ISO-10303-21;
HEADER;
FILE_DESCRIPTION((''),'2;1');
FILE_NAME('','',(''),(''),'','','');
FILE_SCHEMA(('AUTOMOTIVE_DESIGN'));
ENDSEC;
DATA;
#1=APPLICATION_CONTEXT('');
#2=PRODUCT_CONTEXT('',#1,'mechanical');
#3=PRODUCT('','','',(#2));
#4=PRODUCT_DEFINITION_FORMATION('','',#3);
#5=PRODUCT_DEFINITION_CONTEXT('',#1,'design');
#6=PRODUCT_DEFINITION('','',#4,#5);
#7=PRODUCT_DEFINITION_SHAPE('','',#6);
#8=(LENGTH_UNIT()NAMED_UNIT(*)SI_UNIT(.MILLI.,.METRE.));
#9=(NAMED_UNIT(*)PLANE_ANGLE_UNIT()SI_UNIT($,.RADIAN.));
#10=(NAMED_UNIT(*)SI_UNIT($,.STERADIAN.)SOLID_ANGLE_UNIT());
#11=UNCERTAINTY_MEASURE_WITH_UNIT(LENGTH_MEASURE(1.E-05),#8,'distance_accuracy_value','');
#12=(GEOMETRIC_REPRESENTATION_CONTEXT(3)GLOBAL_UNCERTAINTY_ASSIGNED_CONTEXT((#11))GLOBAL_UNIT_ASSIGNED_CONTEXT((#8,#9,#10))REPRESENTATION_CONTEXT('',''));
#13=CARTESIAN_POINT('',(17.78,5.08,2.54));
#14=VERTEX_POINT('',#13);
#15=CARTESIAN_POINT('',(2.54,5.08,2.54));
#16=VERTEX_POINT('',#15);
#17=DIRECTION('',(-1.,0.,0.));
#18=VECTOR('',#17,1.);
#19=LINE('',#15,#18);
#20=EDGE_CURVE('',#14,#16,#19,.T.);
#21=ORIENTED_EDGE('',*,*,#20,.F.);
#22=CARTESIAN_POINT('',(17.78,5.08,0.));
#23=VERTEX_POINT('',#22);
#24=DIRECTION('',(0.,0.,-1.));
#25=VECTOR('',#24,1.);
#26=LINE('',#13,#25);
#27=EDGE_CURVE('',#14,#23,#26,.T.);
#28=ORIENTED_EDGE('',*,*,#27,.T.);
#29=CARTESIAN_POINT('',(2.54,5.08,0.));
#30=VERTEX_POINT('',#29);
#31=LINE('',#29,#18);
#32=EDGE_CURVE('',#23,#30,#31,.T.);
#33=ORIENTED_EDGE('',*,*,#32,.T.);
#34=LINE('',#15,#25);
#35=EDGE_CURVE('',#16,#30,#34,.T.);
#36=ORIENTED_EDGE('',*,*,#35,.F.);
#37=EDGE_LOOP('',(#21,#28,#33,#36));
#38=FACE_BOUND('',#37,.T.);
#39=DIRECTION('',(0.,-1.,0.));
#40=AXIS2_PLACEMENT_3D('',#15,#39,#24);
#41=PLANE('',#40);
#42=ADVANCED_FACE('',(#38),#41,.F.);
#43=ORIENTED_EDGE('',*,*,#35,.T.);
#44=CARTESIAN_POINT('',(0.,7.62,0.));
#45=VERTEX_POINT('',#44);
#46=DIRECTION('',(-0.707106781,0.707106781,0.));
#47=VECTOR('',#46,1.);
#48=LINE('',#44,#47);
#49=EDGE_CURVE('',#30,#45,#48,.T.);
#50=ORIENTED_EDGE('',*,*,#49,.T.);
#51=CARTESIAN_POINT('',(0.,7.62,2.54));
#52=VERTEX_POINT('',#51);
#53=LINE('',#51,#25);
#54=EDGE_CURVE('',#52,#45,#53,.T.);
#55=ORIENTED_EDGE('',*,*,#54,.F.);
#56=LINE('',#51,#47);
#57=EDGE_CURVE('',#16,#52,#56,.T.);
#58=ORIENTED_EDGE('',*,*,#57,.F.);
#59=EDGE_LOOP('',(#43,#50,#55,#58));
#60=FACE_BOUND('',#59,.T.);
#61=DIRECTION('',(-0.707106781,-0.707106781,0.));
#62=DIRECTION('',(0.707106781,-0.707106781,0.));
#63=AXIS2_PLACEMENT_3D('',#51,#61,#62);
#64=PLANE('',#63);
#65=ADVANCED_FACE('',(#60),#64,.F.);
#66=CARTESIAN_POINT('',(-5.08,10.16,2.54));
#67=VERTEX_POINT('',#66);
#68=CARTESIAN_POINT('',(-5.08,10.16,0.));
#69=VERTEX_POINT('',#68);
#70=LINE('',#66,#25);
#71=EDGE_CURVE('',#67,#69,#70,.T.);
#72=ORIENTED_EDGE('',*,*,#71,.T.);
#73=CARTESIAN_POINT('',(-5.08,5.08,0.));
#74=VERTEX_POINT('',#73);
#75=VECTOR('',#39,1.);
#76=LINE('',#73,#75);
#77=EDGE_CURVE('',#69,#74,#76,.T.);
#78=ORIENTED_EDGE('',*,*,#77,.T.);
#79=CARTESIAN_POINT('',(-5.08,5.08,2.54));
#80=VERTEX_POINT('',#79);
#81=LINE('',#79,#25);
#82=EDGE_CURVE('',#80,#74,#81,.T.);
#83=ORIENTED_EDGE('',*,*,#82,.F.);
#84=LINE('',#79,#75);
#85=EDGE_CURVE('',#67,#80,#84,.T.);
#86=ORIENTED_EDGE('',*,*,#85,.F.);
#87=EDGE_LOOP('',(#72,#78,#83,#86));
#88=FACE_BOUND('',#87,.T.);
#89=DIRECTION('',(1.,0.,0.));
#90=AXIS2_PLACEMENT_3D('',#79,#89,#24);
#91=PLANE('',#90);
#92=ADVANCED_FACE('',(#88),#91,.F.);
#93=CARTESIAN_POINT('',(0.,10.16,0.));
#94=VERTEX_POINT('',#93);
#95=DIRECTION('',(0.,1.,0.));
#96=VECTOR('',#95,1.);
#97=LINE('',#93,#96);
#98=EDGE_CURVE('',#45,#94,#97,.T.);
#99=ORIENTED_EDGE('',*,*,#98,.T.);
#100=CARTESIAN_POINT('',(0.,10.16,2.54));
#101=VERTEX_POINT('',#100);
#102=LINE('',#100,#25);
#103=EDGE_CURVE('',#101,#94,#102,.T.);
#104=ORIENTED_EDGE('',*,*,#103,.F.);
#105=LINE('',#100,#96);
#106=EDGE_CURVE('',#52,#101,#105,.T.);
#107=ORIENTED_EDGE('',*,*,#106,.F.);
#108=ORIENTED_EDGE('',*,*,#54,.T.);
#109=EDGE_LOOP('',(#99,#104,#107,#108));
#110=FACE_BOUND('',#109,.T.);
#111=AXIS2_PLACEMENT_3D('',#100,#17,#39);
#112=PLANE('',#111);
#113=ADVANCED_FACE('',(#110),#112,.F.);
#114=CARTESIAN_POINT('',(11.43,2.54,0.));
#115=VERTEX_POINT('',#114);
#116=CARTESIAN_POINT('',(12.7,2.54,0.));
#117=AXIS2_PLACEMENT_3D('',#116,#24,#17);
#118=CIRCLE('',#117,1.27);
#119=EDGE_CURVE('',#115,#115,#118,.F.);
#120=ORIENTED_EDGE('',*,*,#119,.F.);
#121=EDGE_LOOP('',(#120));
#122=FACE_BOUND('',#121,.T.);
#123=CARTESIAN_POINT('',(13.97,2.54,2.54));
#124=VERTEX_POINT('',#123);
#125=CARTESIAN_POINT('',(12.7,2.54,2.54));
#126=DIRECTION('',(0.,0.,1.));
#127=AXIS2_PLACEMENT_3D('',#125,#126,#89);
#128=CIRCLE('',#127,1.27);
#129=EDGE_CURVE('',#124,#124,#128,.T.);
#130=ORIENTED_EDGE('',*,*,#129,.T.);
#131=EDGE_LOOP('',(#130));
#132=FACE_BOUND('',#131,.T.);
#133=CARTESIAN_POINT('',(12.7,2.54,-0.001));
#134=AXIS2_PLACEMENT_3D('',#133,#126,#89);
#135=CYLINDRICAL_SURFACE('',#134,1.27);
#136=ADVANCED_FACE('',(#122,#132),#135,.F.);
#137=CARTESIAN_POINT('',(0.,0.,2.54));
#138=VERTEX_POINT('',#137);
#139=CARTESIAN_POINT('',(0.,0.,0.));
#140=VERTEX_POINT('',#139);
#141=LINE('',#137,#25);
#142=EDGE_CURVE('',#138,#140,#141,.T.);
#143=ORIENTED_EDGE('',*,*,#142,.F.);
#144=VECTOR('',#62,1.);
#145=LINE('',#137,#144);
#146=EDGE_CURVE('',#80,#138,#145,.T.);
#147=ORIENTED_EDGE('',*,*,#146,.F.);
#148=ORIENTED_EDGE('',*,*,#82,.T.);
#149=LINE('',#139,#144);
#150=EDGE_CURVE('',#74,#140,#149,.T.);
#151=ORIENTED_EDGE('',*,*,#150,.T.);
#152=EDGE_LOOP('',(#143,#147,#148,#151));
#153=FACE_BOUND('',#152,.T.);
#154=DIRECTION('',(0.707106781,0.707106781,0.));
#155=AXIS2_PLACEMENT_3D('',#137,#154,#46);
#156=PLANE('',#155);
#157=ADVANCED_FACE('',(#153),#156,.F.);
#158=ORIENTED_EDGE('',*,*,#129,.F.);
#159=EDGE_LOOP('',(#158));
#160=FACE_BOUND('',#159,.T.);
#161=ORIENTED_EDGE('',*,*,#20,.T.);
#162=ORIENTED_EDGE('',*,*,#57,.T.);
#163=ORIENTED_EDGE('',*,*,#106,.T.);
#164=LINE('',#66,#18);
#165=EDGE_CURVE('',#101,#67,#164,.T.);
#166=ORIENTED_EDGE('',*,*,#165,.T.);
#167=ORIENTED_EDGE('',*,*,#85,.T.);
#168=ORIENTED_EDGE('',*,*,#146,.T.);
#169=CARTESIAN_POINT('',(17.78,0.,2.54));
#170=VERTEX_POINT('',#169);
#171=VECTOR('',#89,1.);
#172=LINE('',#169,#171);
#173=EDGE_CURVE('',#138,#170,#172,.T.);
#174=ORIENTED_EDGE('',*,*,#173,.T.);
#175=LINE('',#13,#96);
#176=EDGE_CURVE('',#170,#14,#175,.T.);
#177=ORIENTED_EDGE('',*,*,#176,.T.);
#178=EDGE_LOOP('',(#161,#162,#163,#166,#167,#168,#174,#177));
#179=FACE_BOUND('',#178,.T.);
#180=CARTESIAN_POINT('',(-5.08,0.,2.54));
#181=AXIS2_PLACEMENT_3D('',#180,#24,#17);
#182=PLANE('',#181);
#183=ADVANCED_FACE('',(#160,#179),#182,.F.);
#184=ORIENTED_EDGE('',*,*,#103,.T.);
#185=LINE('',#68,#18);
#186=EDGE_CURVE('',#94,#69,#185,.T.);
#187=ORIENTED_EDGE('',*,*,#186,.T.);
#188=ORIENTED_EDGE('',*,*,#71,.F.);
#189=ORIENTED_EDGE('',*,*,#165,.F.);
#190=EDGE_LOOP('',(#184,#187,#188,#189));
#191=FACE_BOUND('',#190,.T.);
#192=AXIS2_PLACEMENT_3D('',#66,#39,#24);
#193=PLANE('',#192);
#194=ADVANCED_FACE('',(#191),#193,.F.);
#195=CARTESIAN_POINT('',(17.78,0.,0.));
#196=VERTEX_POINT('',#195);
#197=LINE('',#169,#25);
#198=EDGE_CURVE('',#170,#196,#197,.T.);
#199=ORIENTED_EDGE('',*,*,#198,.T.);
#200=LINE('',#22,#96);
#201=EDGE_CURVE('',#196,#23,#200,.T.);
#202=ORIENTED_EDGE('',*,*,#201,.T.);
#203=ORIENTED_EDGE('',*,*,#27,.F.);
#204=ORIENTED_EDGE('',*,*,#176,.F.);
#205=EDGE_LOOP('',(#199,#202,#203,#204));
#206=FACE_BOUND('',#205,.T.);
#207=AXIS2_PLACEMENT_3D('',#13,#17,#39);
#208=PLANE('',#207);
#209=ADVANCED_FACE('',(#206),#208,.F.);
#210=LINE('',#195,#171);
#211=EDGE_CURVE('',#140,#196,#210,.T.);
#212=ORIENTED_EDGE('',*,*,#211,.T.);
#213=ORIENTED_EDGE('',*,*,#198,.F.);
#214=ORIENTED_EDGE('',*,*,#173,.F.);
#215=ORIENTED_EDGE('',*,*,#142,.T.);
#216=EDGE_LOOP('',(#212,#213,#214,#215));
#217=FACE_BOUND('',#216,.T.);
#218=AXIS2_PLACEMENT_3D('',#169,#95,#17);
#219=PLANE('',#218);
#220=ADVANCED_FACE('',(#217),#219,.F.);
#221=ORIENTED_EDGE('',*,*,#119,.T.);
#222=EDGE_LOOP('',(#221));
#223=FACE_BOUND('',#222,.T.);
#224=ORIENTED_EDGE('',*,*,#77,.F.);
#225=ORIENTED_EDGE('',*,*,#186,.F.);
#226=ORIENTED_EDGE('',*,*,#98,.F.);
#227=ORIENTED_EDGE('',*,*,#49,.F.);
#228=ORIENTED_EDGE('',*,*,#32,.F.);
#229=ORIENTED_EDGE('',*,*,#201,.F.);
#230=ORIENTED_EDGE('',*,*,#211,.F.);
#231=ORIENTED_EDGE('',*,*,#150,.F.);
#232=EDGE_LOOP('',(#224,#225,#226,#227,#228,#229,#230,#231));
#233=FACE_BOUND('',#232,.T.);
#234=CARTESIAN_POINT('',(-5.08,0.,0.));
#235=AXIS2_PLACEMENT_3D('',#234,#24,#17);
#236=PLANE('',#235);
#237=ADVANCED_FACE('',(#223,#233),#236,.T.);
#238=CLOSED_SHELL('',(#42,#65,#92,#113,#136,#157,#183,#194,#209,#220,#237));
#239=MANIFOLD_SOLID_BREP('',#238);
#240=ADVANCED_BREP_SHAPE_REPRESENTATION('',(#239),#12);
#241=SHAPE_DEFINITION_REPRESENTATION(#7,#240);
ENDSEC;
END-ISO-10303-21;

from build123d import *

# Parameters (mm, degrees)
BOSS_EXTRUDE1_DEPTH = 2.54
CUT_EXTRUDE1_REACH  = 4.54
SKETCH2_R           = 1.27


with BuildPart() as part:
    # Sketch1 → Boss-Extrude1 (new body)
    with BuildSketch(Plane.XY):
        Polygon((0, 0), (-5.08, 5.08), (-5.08, 10.16), (0, 10.16), (0, 7.62), (2.54, 5.08), (17.78, 5.08), (17.78, 0), align=None)
    extrude(amount=BOSS_EXTRUDE1_DEPTH)

    # Sketch2 → Cut-Extrude1 (cut, up to next)
    with BuildSketch(Plane.XY.offset(2.54), mode=Mode.PRIVATE) as cut_extrude1_sk1:
        with Locations((12.7, 2.54)):
            Circle(SKETCH2_R)
    cut_extrude1_tool1 = extrude(cut_extrude1_sk1.sketch, amount=-CUT_EXTRUDE1_REACH, mode=Mode.PRIVATE) & part.part
    add(cut_extrude1_tool1.solids().sort_by_distance((12.7, 2.54, 2.54))[0], mode=Mode.SUBTRACT)


solid = part.part
